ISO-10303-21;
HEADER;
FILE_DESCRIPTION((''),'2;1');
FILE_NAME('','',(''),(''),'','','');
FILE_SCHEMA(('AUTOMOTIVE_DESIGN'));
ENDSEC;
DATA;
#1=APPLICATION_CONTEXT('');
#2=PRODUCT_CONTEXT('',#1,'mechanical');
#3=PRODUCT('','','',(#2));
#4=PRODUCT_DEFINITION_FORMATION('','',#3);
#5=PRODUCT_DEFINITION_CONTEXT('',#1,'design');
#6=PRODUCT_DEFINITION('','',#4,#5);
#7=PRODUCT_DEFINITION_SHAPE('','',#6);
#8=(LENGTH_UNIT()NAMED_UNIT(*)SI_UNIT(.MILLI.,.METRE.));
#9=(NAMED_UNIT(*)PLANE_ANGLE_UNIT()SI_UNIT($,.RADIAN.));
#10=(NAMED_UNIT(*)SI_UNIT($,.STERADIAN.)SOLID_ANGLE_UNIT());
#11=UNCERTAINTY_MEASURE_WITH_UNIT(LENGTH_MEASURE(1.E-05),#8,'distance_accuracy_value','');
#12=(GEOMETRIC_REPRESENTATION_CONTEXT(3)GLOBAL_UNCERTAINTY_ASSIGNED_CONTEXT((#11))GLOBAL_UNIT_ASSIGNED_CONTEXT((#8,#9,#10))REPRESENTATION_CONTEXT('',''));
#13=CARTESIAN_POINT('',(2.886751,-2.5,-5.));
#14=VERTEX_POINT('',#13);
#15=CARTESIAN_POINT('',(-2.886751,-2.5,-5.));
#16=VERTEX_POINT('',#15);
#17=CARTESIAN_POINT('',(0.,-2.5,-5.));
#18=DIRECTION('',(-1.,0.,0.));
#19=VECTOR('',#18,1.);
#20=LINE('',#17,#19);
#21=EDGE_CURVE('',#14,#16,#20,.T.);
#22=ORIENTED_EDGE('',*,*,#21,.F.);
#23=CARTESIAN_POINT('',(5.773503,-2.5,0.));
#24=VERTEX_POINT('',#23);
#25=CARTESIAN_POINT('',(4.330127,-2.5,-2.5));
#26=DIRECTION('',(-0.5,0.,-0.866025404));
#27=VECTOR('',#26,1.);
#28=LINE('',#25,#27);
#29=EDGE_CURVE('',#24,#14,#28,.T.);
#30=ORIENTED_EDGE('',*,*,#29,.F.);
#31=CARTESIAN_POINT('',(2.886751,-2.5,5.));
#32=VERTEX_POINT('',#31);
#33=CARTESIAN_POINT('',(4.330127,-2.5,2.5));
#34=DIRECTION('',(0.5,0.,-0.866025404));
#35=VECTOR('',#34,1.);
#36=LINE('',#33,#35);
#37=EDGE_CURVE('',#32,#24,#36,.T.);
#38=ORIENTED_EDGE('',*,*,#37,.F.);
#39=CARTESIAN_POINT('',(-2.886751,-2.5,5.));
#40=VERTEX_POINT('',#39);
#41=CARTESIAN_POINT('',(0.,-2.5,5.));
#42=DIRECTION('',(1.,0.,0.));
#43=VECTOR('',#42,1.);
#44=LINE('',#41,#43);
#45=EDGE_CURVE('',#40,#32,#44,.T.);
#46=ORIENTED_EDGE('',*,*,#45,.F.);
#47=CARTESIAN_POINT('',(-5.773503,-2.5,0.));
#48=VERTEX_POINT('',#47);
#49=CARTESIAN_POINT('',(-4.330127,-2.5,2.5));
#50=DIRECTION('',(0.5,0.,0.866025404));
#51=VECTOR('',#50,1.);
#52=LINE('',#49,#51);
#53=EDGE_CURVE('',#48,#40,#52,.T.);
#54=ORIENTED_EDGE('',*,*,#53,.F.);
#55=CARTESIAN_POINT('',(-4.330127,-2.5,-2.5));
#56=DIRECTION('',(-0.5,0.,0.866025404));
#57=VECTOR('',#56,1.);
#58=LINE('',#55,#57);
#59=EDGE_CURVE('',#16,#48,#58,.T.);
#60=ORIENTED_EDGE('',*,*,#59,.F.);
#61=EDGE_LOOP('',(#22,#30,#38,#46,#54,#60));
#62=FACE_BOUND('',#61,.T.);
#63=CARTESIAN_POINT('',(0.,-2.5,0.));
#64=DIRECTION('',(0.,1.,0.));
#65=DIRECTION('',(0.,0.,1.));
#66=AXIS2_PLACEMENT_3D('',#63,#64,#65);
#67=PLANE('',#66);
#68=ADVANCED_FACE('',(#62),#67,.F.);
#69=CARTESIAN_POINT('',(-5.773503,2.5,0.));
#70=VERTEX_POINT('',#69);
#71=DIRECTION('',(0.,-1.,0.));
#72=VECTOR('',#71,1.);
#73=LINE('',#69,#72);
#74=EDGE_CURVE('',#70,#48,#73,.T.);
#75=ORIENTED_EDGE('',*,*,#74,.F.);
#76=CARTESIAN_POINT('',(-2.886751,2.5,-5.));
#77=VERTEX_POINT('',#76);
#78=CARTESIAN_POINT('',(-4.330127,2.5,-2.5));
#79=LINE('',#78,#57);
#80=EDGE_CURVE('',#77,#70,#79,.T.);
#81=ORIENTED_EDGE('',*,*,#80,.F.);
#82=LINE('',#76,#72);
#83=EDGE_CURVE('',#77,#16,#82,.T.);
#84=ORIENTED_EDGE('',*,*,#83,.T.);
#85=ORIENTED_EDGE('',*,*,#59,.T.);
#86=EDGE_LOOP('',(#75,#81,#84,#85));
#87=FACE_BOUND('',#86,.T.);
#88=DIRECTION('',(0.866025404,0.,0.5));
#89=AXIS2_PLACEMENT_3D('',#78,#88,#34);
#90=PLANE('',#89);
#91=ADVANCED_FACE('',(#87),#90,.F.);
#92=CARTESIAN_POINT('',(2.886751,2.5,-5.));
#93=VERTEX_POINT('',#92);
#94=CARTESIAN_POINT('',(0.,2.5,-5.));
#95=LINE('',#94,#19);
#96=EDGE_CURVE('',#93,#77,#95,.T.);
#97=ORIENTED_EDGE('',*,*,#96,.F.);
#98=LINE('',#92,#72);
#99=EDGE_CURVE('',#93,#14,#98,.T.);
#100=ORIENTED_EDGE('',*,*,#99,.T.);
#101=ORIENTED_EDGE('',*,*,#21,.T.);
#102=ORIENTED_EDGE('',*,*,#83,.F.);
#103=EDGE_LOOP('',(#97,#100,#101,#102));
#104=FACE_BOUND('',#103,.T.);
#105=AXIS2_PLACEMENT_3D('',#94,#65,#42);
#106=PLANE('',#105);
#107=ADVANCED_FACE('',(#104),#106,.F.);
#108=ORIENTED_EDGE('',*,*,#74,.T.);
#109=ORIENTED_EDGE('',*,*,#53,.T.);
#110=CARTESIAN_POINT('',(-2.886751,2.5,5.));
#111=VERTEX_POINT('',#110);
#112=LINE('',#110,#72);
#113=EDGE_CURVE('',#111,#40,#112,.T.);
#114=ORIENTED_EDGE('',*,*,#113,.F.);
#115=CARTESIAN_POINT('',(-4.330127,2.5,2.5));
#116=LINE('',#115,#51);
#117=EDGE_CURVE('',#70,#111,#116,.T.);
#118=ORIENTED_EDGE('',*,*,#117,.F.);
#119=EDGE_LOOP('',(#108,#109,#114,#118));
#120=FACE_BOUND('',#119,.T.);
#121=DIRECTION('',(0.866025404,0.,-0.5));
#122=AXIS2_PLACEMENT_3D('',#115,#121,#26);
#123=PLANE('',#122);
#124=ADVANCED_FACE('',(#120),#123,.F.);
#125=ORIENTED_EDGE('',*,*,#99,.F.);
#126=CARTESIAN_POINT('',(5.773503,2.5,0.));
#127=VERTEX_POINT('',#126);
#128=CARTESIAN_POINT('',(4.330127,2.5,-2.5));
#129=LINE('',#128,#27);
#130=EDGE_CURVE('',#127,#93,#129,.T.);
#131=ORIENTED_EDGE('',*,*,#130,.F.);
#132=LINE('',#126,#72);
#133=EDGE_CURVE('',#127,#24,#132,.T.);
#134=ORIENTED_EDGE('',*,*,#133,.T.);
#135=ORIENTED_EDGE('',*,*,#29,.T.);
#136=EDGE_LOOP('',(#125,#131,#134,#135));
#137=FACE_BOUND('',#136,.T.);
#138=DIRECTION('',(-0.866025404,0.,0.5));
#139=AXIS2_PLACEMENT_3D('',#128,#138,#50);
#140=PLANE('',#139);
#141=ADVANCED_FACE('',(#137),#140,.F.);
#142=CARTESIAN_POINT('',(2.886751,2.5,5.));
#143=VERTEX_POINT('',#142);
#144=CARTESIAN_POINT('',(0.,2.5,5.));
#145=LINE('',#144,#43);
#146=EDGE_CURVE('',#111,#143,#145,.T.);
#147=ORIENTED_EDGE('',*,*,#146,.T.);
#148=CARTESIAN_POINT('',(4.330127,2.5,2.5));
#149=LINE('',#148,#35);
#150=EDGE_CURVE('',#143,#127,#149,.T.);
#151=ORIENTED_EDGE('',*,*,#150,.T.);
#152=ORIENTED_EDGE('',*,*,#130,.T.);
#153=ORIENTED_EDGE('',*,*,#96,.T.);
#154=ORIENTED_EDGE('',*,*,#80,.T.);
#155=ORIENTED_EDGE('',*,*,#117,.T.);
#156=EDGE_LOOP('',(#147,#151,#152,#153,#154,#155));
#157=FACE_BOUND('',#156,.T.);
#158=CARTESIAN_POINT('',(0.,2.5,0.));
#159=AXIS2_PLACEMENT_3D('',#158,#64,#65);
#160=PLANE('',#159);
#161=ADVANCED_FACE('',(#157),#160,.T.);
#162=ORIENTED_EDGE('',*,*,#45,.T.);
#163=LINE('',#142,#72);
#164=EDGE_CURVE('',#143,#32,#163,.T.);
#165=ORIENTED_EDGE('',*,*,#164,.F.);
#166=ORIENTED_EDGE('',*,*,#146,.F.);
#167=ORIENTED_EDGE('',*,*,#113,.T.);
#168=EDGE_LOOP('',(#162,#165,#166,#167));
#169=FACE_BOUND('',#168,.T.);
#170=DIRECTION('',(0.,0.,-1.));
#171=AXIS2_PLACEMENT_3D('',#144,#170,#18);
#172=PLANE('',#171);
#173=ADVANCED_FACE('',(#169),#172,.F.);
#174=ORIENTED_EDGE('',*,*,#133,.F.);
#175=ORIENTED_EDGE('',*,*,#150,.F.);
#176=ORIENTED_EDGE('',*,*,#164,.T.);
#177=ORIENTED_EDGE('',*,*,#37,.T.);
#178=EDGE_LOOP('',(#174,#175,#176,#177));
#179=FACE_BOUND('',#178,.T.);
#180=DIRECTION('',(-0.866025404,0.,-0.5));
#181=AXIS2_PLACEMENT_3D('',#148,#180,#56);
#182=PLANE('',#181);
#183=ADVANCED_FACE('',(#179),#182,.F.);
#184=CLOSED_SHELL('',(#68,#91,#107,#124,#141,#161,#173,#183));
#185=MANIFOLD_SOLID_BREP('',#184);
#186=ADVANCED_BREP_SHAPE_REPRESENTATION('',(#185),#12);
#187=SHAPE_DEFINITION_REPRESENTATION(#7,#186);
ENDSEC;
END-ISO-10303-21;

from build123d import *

# Parameters (mm, degrees)
SKETCH2_R           = 3
BOSS_EXTRUDE2_DEPTH = 2.5


with BuildPart() as part:
    # Sketch2 → Boss-Extrude2 (new, symmetric)
    # profile 1 of 2: a face of its own
    with BuildSketch(Plane(origin=(0, 0, 0), x_dir=(1, 0, 0), z_dir=(0, 1, 0))):
        Polygon((-2.886751346, -5), (2.886751346, -5), (5.773502692, 0), (2.886751346, 5), (-2.886751346, 5), (-5.773502692, 0), align=None)
        Circle(SKETCH2_R, mode=Mode.SUBTRACT)
    # profile 2 of 2: a face of its own
    with BuildSketch(Plane(origin=(0, 0, 0), x_dir=(1, 0, 0), z_dir=(0, 1, 0))):
        Circle(SKETCH2_R)
    extrude(amount=BOSS_EXTRUDE2_DEPTH, both=True)


solid = part.part
